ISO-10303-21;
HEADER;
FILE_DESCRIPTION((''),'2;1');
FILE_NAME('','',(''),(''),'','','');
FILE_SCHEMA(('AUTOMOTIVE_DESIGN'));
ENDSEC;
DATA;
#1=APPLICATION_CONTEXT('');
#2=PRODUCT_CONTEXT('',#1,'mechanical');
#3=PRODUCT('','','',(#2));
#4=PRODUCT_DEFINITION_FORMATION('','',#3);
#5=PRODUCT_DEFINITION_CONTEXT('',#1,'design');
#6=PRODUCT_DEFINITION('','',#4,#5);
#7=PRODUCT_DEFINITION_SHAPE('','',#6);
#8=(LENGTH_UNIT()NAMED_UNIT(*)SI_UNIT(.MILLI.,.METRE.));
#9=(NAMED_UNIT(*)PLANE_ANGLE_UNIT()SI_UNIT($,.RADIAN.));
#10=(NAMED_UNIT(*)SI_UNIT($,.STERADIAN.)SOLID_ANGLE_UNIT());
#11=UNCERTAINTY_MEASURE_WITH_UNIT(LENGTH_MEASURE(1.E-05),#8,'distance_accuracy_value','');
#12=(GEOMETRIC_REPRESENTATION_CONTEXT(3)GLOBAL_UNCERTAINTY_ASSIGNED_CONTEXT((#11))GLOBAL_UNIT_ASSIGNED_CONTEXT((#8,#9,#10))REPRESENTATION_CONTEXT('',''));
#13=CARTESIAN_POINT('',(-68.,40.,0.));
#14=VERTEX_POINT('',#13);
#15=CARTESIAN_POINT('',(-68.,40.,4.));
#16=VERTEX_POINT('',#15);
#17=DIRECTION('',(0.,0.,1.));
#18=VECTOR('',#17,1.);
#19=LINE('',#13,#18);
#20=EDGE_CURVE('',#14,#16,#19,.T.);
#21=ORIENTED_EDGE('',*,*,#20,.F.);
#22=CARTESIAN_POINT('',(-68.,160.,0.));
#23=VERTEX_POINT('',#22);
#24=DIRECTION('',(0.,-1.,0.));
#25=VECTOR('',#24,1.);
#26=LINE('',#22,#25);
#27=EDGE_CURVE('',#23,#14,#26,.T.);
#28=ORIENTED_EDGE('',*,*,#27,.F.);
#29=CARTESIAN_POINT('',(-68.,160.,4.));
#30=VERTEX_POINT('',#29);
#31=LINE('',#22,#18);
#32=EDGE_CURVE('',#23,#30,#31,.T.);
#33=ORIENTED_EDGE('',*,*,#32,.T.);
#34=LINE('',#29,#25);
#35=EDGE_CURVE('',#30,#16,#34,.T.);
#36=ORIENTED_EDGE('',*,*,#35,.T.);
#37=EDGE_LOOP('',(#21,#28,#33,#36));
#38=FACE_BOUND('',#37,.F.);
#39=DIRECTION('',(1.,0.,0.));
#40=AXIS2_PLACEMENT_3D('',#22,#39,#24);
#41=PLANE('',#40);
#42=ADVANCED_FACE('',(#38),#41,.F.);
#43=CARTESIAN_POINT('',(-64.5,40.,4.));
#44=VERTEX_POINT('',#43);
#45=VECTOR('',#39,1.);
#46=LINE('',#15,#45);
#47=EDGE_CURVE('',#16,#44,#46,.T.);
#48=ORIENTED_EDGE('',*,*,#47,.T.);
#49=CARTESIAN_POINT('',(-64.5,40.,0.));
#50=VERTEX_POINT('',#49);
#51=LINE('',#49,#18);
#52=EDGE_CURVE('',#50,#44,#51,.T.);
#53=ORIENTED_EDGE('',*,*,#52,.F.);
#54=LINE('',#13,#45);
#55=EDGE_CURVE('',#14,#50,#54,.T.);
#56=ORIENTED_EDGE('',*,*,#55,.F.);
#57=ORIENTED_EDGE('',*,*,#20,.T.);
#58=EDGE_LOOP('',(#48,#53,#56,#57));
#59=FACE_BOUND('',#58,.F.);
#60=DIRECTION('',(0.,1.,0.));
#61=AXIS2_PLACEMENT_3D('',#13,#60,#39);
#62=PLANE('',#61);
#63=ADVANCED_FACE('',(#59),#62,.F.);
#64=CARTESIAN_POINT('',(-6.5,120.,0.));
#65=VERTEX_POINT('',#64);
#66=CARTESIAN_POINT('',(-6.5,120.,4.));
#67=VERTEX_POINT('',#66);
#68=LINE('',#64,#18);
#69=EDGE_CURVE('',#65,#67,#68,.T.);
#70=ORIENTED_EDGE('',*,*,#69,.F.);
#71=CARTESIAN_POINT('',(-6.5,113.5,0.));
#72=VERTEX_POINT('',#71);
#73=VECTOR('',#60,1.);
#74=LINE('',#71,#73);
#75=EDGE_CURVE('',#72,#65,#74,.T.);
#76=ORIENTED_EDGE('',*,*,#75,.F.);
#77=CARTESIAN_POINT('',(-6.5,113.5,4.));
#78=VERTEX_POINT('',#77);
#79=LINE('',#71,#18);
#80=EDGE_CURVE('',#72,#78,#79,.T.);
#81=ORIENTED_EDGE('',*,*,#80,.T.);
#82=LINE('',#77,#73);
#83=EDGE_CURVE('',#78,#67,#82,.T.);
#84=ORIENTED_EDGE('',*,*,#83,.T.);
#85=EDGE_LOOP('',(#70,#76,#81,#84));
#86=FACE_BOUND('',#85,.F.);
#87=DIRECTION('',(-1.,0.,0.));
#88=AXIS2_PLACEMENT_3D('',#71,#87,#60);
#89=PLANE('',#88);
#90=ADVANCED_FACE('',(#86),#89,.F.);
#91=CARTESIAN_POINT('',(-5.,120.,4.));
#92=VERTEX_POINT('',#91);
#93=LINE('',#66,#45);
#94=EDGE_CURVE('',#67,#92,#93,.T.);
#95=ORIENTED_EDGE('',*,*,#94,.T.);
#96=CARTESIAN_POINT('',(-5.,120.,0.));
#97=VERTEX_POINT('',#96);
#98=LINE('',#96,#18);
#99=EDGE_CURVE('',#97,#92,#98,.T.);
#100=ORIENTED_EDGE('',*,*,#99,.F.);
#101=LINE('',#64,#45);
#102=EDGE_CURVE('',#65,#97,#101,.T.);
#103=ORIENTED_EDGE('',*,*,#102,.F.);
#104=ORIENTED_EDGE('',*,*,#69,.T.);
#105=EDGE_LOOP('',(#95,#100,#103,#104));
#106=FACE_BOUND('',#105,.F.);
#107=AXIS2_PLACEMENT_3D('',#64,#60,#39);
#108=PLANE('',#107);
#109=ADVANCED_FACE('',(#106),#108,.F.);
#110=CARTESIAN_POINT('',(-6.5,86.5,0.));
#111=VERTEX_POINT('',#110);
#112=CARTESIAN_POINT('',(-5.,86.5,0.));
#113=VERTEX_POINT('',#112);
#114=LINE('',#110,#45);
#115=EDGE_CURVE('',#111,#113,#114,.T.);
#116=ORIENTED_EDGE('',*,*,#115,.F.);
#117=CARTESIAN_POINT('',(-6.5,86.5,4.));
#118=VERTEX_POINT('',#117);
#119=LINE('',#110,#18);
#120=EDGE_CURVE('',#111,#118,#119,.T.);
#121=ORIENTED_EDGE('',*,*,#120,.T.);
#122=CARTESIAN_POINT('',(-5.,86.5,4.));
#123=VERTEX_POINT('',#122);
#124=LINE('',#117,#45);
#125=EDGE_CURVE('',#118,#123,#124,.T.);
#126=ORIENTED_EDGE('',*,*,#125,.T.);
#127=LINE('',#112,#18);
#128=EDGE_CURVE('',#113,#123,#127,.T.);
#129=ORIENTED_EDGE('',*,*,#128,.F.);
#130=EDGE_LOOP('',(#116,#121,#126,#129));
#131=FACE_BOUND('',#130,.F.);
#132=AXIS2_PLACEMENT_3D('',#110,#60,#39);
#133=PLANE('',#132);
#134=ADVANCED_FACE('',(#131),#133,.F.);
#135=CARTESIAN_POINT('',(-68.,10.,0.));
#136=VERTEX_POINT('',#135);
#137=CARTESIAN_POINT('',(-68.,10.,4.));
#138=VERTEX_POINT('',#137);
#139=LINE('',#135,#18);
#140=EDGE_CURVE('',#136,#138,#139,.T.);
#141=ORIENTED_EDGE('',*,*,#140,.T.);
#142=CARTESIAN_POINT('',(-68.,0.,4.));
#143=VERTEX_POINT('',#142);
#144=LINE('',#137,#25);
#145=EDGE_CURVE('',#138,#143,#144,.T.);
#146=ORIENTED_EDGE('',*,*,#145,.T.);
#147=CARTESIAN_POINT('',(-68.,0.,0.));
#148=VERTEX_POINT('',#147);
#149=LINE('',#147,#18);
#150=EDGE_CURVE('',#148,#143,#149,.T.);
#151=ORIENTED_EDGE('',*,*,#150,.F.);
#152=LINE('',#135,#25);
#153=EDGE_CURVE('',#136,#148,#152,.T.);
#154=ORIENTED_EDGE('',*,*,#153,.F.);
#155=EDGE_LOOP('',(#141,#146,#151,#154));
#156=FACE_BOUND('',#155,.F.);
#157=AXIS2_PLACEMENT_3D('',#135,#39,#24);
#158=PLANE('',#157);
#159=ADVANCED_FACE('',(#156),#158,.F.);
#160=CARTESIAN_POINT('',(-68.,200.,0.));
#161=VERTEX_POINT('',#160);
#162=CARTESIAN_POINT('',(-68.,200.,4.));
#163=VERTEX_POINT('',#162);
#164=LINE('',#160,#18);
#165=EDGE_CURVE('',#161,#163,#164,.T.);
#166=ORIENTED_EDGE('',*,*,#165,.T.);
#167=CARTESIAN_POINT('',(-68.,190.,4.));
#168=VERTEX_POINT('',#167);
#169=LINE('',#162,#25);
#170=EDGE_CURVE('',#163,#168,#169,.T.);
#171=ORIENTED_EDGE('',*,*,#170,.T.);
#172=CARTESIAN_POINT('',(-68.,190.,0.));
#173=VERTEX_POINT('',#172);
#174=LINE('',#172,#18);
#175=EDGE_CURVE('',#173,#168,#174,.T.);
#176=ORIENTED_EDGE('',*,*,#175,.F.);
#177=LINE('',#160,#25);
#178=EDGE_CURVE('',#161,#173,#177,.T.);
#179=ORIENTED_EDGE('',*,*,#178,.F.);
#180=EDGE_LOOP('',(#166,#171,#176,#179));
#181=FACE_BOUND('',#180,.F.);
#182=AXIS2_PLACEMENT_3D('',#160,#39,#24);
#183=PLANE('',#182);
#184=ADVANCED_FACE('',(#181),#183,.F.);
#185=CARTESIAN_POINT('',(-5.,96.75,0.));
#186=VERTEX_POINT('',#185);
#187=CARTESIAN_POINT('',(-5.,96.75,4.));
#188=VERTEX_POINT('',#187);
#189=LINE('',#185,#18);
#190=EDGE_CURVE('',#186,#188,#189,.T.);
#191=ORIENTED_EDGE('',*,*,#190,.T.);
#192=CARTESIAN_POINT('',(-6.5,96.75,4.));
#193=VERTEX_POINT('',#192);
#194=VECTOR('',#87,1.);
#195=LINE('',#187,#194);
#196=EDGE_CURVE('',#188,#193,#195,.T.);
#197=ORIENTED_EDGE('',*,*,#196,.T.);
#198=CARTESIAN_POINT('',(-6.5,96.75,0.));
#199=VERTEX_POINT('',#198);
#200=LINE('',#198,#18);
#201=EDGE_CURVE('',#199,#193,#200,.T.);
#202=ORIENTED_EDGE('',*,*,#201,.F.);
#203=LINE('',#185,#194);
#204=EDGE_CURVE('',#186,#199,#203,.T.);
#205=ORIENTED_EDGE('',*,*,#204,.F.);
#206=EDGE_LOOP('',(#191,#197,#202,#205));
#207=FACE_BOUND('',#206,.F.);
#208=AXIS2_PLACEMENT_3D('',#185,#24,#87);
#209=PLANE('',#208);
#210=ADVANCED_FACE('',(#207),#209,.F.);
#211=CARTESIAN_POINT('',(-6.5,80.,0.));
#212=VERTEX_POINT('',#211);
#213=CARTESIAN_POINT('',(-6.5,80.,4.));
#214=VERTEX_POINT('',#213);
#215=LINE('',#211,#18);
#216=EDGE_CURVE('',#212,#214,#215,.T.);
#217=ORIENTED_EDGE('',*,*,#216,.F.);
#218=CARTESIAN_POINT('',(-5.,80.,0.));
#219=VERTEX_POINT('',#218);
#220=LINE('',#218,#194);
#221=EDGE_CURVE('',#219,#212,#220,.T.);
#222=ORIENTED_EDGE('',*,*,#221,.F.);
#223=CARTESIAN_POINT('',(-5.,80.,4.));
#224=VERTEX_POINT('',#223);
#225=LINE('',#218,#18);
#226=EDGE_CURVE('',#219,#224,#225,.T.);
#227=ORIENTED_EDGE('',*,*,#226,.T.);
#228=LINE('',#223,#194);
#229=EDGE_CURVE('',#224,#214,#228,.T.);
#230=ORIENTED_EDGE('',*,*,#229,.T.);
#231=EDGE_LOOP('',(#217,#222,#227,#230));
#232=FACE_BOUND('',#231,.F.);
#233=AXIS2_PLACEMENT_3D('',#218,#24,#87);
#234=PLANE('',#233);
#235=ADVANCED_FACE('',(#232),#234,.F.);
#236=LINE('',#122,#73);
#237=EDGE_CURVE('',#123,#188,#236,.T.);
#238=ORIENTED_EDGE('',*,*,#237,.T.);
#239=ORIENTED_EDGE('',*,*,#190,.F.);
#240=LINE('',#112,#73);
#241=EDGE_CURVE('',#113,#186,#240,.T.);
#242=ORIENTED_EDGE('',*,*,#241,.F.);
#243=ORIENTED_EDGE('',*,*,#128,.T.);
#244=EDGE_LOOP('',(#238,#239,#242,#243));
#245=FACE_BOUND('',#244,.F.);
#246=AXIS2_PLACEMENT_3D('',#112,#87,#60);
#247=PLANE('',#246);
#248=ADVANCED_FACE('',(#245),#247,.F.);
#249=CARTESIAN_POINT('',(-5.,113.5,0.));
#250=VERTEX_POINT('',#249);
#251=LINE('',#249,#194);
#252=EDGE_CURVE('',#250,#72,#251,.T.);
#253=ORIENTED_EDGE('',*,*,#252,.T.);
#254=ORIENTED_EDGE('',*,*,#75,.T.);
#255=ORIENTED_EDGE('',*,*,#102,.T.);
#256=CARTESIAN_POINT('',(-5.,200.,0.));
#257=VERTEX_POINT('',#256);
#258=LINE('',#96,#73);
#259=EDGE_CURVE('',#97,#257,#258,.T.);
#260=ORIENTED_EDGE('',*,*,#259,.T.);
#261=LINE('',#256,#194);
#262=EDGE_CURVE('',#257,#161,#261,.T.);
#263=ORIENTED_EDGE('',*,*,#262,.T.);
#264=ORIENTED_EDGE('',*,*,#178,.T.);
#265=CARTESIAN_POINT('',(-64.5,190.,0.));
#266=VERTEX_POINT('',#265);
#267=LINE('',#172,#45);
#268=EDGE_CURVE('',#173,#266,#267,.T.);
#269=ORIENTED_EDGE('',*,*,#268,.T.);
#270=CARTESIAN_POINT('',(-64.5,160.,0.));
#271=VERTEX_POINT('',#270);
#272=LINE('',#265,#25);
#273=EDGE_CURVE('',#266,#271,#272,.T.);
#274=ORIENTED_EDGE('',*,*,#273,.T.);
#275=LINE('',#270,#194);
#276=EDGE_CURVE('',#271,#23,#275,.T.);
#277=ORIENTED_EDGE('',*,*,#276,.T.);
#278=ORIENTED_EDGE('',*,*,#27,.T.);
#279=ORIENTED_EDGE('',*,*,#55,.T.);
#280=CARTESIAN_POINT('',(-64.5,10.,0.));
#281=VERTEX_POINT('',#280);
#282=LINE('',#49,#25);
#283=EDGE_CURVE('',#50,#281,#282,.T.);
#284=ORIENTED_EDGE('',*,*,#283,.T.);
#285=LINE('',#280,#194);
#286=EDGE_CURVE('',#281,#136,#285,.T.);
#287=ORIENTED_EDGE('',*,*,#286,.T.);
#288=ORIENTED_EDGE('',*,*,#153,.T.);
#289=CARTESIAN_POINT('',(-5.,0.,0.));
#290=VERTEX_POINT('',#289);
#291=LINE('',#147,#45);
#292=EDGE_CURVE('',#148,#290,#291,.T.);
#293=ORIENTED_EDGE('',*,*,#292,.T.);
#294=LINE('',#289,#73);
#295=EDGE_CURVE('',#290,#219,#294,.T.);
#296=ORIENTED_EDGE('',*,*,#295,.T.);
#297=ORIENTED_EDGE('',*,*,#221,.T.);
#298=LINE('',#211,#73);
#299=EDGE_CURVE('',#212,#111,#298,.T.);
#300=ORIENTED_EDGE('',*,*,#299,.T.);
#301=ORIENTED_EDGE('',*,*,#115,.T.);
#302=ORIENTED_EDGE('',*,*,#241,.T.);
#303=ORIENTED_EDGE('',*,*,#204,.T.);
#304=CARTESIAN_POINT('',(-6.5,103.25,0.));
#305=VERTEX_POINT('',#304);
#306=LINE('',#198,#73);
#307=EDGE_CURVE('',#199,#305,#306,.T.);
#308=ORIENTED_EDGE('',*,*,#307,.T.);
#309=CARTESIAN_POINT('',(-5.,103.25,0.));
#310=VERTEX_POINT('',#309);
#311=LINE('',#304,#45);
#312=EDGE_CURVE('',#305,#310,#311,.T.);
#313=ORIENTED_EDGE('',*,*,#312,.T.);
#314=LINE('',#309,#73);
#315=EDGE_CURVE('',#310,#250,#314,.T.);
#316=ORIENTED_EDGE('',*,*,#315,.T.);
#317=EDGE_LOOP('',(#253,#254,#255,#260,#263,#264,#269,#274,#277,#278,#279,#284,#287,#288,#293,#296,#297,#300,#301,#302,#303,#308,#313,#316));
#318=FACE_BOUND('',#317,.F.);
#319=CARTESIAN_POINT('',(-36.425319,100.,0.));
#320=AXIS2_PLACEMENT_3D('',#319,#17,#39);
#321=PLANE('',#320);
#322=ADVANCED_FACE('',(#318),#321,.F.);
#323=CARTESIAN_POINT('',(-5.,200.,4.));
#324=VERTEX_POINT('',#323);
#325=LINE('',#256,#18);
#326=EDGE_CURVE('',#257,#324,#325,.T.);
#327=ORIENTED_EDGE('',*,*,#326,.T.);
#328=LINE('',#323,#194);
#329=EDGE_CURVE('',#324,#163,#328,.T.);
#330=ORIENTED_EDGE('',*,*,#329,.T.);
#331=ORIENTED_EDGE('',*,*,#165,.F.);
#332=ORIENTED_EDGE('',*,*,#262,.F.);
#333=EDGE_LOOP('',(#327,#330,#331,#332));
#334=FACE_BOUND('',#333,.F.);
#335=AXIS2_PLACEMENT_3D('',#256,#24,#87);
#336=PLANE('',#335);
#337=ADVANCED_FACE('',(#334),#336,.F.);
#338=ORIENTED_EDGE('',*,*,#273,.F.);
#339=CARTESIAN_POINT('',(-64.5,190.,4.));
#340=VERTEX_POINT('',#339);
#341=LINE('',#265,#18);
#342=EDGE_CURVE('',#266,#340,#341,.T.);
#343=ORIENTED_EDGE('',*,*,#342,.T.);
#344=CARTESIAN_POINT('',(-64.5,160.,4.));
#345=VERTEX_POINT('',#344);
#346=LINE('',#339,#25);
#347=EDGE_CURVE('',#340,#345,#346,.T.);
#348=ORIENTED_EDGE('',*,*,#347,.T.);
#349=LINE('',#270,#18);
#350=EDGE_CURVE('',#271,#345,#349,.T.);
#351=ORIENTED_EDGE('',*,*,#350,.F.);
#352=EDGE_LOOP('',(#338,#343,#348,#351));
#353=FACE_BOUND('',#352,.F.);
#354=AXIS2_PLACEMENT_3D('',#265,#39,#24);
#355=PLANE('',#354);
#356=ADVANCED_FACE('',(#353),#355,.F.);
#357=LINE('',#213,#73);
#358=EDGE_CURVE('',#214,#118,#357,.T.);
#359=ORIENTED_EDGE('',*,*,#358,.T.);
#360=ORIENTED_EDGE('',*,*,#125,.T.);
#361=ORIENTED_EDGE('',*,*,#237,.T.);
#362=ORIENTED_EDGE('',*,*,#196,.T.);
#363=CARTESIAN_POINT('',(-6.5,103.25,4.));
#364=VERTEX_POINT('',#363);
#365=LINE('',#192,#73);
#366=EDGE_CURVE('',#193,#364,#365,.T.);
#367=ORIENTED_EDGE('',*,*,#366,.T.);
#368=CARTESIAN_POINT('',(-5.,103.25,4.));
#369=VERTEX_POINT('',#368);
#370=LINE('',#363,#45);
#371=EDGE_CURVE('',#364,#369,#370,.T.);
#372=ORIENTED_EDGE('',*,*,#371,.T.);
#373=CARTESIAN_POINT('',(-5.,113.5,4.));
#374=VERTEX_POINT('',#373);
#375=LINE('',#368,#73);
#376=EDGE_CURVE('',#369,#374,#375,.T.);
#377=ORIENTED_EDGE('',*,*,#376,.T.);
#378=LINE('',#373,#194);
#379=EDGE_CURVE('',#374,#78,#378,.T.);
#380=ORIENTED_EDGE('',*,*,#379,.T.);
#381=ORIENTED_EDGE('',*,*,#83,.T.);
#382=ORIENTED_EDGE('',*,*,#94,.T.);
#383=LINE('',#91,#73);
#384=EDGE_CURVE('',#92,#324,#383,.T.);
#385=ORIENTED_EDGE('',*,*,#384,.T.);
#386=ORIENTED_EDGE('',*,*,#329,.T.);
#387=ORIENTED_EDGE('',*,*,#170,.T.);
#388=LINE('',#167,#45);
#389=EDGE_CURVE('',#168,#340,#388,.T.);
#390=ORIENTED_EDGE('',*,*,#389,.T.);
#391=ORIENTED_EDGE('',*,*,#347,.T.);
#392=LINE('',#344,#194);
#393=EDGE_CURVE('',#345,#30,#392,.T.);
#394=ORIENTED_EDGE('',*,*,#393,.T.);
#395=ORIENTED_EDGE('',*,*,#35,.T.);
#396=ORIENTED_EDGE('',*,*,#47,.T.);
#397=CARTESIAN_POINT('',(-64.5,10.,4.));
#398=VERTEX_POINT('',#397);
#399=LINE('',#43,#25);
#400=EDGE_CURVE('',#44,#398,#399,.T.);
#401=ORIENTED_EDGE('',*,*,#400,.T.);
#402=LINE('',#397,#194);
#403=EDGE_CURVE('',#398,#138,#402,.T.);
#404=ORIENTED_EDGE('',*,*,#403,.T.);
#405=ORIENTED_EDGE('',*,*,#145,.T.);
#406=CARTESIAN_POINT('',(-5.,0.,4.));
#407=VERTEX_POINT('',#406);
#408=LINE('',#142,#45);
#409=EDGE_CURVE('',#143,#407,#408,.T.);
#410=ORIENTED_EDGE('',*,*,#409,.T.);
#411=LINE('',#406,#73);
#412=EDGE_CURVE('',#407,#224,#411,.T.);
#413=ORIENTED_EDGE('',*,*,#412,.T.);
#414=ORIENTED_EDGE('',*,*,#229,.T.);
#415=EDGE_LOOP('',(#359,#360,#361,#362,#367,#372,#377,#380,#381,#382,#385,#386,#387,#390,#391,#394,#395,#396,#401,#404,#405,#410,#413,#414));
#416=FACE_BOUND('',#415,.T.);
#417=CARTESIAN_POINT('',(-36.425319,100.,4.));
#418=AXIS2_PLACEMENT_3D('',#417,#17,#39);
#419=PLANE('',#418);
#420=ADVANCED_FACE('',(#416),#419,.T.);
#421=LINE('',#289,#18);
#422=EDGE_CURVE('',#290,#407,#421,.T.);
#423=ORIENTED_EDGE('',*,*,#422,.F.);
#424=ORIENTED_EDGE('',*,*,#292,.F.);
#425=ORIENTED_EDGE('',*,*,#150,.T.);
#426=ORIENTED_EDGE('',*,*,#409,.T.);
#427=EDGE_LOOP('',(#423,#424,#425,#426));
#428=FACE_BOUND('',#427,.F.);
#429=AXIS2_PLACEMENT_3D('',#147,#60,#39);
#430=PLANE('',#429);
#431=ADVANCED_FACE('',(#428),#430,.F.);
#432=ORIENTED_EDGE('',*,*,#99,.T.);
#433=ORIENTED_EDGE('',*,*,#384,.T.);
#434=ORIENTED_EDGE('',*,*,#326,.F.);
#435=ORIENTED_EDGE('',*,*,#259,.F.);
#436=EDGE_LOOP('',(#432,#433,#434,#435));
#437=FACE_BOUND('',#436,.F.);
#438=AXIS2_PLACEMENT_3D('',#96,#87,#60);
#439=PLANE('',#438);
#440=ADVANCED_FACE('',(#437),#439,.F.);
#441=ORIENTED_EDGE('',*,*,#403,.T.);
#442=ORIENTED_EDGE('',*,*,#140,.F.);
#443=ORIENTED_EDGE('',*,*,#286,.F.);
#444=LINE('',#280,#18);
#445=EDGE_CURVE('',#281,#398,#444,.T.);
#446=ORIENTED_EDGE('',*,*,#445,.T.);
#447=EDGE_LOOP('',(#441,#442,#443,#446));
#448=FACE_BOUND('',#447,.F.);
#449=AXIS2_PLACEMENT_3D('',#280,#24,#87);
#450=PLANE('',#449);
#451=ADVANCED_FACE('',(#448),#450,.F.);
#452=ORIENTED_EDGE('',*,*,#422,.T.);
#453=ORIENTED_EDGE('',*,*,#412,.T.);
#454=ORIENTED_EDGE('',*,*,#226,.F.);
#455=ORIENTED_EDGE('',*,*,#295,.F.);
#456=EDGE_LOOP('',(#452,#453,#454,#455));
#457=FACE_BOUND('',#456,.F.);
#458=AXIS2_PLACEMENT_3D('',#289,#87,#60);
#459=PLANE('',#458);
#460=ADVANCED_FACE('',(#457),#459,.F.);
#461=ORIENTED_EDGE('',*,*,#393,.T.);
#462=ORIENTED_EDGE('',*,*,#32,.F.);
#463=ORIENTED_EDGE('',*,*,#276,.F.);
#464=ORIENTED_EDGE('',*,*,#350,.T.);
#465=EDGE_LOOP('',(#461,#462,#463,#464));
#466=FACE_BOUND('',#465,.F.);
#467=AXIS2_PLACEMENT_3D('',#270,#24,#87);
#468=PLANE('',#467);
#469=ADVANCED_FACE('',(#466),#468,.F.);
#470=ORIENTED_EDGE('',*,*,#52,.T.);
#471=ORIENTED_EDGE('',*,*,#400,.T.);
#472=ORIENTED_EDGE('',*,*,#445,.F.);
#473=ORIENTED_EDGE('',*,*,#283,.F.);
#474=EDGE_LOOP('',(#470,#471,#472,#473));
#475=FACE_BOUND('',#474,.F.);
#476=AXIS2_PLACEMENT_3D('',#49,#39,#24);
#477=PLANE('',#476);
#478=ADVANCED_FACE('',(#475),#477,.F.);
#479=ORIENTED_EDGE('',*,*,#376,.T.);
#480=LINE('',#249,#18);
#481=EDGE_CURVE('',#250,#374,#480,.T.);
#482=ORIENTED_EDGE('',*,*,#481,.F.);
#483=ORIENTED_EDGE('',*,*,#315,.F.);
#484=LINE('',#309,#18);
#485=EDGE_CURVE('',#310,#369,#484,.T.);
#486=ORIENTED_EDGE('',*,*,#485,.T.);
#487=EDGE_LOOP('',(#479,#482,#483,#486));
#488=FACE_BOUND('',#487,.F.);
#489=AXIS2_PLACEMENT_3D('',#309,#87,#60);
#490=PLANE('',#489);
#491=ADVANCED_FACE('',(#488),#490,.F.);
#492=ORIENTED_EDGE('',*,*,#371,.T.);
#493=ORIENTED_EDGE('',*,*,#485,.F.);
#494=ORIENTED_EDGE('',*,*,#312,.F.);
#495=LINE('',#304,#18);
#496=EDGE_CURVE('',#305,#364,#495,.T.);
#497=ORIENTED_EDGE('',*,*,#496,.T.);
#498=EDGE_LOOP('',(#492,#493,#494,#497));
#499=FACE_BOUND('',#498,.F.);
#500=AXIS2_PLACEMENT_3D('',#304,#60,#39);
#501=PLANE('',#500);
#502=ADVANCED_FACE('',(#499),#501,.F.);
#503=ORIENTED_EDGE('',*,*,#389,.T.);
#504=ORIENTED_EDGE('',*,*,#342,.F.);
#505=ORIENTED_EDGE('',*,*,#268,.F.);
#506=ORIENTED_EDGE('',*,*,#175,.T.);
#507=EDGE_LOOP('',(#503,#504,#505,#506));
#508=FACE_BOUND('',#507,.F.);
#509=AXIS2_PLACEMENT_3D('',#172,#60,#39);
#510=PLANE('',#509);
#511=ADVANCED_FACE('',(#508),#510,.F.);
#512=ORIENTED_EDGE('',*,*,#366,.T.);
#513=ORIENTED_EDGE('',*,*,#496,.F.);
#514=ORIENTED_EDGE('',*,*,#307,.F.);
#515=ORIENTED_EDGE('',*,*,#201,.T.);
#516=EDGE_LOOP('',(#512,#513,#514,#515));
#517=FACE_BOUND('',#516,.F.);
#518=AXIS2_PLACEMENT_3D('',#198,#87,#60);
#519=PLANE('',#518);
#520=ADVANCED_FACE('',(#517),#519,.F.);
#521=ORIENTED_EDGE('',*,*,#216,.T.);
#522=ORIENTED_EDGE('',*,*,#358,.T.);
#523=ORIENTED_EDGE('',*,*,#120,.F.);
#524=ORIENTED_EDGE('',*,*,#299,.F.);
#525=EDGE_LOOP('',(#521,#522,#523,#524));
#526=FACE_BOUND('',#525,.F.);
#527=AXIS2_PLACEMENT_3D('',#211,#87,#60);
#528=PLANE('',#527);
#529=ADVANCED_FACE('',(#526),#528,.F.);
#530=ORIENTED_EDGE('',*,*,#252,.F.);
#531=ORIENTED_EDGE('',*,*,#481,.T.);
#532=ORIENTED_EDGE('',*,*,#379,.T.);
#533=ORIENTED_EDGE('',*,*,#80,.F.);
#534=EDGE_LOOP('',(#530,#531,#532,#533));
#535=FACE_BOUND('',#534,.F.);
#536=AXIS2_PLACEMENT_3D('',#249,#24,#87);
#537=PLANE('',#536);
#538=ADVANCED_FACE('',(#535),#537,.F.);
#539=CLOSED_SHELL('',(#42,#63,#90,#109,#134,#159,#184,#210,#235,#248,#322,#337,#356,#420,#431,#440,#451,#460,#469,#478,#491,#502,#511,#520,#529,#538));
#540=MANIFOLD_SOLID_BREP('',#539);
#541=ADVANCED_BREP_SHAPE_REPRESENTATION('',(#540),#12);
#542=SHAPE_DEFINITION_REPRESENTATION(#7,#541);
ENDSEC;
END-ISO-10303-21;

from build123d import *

# Parameters (mm, degrees)
F1_DEPTH = 4


with BuildPart() as f1:
    # F0 (on Top) → F1 (new body)
    with BuildSketch(Plane.XY):
        Polygon((-5, 120), (-5, 200), (-68, 200), (-68, 190), (-64.5, 190), (-64.5, 160), (-68, 160), (-68, 40), (-64.5, 40), (-64.5, 10), (-68, 10), (-68, 0), (-5, 0), (-5, 80), (-6.5, 80), (-6.5, 86.5), (-5, 86.5), (-5, 96.75), (-6.5, 96.75), (-6.5, 103.25), (-5, 103.25), (-5, 113.5), (-6.5, 113.5), (-6.5, 120), align=None)
    extrude(amount=F1_DEPTH)


solid = f1.part
